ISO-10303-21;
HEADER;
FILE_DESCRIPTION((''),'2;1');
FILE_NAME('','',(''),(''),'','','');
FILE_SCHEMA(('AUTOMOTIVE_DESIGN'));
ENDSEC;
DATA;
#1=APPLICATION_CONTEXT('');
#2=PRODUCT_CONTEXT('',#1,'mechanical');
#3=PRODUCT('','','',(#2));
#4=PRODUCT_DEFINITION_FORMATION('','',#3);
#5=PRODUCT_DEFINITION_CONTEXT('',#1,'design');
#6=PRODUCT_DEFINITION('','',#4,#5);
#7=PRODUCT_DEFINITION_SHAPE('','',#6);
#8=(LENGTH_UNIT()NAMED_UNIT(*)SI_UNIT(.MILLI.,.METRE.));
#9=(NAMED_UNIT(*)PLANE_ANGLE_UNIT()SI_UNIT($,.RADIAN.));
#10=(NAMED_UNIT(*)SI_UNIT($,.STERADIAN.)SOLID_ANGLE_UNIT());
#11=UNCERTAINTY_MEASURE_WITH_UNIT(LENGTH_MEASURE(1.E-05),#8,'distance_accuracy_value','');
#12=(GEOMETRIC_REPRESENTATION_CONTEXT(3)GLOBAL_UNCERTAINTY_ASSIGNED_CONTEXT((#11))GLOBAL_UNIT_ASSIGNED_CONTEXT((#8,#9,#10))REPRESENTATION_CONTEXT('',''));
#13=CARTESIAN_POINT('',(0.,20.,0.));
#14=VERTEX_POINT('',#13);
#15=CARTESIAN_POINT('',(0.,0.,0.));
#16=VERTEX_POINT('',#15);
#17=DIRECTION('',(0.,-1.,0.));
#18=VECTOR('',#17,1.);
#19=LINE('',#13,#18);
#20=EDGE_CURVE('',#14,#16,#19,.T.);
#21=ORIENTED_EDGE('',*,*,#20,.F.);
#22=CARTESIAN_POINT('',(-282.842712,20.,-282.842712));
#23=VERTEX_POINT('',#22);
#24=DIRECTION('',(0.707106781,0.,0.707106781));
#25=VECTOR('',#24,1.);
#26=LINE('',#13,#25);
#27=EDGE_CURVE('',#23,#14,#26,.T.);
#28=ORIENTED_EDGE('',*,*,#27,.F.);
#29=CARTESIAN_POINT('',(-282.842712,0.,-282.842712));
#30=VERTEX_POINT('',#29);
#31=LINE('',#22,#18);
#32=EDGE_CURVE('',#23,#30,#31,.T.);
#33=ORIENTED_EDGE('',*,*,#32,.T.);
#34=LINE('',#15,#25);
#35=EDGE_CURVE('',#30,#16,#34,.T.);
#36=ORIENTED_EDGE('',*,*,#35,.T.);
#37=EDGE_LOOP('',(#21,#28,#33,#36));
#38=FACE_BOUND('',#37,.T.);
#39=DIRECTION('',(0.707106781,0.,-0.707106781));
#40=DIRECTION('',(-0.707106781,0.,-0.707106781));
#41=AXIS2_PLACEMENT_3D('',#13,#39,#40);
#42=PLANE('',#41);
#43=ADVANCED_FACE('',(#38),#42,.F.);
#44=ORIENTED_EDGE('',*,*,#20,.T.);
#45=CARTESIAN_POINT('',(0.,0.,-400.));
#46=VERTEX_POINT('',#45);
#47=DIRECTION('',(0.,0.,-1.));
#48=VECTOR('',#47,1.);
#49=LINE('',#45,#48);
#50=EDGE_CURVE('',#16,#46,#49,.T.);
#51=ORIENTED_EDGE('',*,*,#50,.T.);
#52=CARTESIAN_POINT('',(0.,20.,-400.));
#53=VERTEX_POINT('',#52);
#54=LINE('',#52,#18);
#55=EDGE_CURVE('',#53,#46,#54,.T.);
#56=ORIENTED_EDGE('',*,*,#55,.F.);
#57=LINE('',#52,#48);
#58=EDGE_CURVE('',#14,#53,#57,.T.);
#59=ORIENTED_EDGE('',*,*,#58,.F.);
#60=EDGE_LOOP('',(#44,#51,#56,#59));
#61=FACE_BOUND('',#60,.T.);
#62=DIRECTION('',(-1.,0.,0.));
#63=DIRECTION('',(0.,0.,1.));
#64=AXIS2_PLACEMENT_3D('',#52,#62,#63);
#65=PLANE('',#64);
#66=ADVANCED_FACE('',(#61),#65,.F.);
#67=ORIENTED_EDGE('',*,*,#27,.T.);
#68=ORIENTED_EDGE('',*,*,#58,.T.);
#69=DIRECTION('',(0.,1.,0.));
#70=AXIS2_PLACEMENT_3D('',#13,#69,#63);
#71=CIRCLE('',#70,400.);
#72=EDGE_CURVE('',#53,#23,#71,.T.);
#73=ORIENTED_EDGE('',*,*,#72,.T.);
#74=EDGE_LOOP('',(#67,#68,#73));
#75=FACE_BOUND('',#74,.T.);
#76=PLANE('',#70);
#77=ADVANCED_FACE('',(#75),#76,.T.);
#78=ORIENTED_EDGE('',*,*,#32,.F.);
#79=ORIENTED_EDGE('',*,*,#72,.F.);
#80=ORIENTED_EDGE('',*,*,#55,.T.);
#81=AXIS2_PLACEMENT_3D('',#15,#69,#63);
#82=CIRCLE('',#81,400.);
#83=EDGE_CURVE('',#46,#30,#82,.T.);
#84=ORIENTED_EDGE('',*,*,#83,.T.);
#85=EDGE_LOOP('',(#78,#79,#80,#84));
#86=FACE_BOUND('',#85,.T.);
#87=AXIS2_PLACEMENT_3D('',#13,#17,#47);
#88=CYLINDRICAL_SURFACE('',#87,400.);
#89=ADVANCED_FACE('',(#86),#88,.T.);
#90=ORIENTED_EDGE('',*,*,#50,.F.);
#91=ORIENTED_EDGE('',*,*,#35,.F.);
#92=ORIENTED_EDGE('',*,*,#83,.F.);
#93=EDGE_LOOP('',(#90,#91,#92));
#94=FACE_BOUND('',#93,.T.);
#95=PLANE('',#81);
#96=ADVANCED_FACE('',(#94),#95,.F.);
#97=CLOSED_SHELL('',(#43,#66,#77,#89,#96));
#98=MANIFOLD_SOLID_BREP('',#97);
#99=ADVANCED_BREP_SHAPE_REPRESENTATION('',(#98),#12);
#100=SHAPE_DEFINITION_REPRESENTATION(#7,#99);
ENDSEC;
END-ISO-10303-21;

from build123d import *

# Parameters (mm, degrees)
EXTRUDE1_DEPTH = 20


with BuildPart() as part:
    # Sketch1 → Extrude1 (new body)
    with BuildSketch(Plane(origin=(0, 0, 0), x_dir=(1, 0, 0), z_dir=(0, 1, 0))):
        with BuildLine():
            Line((0, 400), (0, 0))
            Line((0, 0), (-282.842712475, 282.842712475))
            ThreePointArc((-282.842712475, 282.842712475), (-153.073372946, 369.551813005), (0, 400))
        make_face()
    extrude(amount=EXTRUDE1_DEPTH)


solid = part.part
